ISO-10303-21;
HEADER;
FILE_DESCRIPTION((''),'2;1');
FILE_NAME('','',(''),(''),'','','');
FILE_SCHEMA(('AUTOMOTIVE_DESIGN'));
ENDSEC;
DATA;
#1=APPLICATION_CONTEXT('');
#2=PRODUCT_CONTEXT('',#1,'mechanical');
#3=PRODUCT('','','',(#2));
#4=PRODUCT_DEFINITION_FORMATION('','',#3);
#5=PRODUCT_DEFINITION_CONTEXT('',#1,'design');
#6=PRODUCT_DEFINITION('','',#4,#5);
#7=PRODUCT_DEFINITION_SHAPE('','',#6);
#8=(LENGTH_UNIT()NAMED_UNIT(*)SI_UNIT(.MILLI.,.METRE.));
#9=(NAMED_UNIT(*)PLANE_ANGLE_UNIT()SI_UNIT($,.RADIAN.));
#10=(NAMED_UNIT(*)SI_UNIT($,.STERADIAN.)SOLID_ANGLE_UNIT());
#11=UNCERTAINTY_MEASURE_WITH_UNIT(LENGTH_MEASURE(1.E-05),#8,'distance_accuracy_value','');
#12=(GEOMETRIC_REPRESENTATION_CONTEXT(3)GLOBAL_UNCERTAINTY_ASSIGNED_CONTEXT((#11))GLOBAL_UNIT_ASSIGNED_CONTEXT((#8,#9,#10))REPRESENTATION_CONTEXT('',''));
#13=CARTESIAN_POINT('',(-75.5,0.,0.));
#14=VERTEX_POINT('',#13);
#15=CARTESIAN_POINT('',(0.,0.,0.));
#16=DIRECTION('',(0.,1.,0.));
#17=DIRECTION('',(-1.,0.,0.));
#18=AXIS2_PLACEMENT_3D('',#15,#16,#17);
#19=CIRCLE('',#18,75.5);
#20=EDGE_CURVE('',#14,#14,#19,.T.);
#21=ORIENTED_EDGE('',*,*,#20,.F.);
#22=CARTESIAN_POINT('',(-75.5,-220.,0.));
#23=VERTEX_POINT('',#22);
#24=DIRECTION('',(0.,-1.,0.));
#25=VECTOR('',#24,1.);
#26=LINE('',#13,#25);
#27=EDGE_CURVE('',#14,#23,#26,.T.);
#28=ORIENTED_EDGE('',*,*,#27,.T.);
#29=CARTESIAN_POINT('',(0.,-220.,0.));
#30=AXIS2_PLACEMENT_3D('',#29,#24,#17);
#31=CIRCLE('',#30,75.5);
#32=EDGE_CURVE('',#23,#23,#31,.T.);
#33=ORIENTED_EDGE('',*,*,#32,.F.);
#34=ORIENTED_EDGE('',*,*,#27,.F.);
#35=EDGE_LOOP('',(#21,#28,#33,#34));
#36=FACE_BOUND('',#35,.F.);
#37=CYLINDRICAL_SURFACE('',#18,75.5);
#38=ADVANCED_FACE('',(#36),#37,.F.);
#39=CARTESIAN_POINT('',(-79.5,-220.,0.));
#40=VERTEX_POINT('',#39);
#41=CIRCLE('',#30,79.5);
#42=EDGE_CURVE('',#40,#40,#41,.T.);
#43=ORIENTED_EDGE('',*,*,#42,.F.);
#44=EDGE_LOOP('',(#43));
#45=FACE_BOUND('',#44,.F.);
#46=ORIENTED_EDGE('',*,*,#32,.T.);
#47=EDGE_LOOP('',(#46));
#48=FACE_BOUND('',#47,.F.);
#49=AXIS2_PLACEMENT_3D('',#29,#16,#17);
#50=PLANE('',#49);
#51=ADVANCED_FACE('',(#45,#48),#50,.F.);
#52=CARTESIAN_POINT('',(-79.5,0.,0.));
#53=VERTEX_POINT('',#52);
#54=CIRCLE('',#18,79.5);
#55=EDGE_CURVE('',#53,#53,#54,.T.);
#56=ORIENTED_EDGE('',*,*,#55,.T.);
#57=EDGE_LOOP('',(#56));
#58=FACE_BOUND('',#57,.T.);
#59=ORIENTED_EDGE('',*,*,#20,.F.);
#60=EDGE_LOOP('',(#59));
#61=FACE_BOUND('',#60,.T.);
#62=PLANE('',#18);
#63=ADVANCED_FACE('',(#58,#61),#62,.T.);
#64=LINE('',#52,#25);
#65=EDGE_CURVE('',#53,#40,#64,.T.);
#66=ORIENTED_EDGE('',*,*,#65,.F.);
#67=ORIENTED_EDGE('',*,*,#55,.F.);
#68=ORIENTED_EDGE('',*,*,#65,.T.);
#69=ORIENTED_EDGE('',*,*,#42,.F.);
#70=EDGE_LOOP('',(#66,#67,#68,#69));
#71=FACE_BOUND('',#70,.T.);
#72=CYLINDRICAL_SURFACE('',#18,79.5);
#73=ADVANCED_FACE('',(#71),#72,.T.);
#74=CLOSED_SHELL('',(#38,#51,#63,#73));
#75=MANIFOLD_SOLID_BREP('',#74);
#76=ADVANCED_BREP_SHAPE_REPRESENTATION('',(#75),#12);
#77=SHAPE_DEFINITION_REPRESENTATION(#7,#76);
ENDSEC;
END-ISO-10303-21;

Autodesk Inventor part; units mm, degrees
ref_plane "YZ Plane" through (0, 0, 0) normal (1, 0, 0) x (0, 1, 0)
ref_plane "XZ Plane" through (0, 0, 0) normal (0, 1, 0) x (-1, 0, 0)
ref_plane "XY Plane" through (0, 0, 0) normal (0, 0, 1) x (1, 0, 0)
sketch "Sketch1" plane through (0, 0, 0) normal (0, 1, 0) x (-1, 0, 0)
  circle A0 centre (0, 0) radius 79.5
  circle A1 centre (0, 0) radius 75.5
  line L0 (79.5, 0) -> (-79.5, 0)
  point P0 (-75.5, 0)
  point P1 (75.5, 0)
  dimension "d0" = 159
  dimension "d1" = 4
extrude "Extrusion1" add sketch "Sketch1" against normal blind 220 contours L0 A1 A0 | A0 L0 A1
properties part number "PNS- 723 charging half tube" material "Steel"
